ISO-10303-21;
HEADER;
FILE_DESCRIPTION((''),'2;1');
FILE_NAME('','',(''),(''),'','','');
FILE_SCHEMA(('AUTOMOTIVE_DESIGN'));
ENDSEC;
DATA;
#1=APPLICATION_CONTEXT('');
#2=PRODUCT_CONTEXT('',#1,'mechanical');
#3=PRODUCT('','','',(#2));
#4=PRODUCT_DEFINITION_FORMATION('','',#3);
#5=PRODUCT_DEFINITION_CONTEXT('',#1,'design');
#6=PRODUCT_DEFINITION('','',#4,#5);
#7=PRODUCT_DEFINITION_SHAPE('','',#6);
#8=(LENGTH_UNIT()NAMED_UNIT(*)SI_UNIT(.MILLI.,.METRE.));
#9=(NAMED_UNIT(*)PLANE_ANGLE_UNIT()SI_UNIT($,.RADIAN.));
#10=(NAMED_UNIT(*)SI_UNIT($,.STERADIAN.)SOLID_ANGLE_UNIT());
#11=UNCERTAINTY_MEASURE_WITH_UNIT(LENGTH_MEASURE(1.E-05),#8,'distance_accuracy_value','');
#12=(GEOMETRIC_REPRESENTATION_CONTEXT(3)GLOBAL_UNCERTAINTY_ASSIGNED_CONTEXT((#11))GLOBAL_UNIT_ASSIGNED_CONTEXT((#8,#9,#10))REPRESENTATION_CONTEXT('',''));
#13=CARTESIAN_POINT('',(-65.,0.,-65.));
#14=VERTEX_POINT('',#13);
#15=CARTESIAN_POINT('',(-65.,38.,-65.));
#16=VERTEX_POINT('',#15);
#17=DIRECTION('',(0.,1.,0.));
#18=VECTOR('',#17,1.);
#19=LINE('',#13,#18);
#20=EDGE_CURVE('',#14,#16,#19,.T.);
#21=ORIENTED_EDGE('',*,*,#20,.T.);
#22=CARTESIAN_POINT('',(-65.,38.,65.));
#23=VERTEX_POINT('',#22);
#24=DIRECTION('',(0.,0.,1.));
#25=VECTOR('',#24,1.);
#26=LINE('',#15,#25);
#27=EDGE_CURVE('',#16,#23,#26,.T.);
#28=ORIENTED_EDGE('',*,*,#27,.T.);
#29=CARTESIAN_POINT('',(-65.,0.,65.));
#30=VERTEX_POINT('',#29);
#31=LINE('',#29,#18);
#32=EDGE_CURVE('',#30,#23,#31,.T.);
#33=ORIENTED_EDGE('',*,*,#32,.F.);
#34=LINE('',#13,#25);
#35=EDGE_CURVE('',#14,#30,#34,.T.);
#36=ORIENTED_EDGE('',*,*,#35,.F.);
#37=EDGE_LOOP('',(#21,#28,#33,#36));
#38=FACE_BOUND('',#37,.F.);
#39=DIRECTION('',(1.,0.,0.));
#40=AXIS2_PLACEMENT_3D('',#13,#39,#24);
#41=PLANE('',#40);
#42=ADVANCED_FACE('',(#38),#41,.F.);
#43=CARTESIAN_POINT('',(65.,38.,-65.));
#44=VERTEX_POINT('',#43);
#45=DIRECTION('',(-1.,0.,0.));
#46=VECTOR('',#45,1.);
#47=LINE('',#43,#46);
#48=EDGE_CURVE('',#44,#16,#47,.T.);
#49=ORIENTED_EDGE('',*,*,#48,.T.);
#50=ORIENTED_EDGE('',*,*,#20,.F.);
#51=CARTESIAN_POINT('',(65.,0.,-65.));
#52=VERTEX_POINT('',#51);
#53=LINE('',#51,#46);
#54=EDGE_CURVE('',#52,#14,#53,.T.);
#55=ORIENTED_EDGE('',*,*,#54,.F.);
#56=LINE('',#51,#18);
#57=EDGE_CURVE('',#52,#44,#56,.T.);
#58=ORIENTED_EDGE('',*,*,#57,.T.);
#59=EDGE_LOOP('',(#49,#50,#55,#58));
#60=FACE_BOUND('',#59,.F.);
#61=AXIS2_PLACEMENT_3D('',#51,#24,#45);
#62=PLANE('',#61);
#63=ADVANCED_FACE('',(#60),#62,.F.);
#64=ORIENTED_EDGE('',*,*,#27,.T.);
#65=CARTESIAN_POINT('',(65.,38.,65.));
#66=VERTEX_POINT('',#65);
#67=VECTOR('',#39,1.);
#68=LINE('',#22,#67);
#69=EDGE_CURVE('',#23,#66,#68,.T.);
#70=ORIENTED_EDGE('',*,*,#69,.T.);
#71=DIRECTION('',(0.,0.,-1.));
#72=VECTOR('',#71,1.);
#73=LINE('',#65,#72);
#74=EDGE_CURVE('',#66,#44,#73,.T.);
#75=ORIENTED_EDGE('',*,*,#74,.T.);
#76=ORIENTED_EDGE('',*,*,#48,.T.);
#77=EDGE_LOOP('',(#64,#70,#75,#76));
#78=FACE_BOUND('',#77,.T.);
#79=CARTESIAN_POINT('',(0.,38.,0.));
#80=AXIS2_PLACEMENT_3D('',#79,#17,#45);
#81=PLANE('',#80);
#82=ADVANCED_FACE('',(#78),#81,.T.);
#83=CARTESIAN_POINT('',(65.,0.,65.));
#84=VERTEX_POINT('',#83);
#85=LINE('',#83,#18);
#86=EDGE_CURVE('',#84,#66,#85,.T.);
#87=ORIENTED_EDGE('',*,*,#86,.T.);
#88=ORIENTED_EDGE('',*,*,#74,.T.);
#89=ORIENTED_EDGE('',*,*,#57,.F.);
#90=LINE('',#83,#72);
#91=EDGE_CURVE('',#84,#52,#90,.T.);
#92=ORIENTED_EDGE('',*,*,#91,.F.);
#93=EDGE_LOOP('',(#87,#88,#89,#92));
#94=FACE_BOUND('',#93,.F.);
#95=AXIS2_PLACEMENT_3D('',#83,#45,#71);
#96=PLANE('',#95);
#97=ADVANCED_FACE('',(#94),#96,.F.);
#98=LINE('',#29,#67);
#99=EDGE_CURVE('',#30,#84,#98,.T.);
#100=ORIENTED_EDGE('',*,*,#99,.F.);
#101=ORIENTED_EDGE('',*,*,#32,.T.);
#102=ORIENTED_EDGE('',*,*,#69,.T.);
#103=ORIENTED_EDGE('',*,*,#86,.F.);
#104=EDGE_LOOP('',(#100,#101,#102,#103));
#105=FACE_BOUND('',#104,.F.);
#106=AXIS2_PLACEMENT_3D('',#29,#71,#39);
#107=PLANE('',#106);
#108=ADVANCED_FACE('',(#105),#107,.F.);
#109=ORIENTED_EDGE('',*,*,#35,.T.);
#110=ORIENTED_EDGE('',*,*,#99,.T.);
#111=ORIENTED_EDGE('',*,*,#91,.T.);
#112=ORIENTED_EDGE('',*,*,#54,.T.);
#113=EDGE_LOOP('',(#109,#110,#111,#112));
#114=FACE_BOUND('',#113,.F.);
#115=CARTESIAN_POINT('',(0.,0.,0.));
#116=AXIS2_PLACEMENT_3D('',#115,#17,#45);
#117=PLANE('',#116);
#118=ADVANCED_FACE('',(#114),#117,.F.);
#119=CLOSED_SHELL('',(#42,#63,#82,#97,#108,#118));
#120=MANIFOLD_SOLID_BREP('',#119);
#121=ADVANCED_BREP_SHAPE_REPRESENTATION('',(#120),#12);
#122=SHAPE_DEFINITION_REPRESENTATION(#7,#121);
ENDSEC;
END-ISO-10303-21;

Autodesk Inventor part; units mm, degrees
ref_plane "YZ Plane" through (0, 0, 0) normal (1, 0, 0) x (0, 1, 0)
ref_plane "XZ Plane" through (0, 0, 0) normal (0, 1, 0) x (-1, 0, 0)
ref_plane "XY Plane" through (0, 0, 0) normal (0, 0, 1) x (1, 0, 0)
sketch "Sketch1" plane through (0, 0, 0) normal (0, 1, 0) x (-1, 0, 0)
  line L0 (-65, -65) -> (65, -65)
  line L1 (65, -65) -> (65, 65)
  line L2 (65, 65) -> (-65, 65)
  line L3 (-65, 65) -> (-65, -65)
  line L4 (-65, -65) -> (65, 65) construction
  line L5 (65, -65) -> (-65, 65) construction
  point P0 (0, 0)
  dimension "d0" = 130
  dimension "d1" = 130
extrude "Extrusion1" add sketch "Sketch1" along normal blind 38
properties part number "Spectro"
